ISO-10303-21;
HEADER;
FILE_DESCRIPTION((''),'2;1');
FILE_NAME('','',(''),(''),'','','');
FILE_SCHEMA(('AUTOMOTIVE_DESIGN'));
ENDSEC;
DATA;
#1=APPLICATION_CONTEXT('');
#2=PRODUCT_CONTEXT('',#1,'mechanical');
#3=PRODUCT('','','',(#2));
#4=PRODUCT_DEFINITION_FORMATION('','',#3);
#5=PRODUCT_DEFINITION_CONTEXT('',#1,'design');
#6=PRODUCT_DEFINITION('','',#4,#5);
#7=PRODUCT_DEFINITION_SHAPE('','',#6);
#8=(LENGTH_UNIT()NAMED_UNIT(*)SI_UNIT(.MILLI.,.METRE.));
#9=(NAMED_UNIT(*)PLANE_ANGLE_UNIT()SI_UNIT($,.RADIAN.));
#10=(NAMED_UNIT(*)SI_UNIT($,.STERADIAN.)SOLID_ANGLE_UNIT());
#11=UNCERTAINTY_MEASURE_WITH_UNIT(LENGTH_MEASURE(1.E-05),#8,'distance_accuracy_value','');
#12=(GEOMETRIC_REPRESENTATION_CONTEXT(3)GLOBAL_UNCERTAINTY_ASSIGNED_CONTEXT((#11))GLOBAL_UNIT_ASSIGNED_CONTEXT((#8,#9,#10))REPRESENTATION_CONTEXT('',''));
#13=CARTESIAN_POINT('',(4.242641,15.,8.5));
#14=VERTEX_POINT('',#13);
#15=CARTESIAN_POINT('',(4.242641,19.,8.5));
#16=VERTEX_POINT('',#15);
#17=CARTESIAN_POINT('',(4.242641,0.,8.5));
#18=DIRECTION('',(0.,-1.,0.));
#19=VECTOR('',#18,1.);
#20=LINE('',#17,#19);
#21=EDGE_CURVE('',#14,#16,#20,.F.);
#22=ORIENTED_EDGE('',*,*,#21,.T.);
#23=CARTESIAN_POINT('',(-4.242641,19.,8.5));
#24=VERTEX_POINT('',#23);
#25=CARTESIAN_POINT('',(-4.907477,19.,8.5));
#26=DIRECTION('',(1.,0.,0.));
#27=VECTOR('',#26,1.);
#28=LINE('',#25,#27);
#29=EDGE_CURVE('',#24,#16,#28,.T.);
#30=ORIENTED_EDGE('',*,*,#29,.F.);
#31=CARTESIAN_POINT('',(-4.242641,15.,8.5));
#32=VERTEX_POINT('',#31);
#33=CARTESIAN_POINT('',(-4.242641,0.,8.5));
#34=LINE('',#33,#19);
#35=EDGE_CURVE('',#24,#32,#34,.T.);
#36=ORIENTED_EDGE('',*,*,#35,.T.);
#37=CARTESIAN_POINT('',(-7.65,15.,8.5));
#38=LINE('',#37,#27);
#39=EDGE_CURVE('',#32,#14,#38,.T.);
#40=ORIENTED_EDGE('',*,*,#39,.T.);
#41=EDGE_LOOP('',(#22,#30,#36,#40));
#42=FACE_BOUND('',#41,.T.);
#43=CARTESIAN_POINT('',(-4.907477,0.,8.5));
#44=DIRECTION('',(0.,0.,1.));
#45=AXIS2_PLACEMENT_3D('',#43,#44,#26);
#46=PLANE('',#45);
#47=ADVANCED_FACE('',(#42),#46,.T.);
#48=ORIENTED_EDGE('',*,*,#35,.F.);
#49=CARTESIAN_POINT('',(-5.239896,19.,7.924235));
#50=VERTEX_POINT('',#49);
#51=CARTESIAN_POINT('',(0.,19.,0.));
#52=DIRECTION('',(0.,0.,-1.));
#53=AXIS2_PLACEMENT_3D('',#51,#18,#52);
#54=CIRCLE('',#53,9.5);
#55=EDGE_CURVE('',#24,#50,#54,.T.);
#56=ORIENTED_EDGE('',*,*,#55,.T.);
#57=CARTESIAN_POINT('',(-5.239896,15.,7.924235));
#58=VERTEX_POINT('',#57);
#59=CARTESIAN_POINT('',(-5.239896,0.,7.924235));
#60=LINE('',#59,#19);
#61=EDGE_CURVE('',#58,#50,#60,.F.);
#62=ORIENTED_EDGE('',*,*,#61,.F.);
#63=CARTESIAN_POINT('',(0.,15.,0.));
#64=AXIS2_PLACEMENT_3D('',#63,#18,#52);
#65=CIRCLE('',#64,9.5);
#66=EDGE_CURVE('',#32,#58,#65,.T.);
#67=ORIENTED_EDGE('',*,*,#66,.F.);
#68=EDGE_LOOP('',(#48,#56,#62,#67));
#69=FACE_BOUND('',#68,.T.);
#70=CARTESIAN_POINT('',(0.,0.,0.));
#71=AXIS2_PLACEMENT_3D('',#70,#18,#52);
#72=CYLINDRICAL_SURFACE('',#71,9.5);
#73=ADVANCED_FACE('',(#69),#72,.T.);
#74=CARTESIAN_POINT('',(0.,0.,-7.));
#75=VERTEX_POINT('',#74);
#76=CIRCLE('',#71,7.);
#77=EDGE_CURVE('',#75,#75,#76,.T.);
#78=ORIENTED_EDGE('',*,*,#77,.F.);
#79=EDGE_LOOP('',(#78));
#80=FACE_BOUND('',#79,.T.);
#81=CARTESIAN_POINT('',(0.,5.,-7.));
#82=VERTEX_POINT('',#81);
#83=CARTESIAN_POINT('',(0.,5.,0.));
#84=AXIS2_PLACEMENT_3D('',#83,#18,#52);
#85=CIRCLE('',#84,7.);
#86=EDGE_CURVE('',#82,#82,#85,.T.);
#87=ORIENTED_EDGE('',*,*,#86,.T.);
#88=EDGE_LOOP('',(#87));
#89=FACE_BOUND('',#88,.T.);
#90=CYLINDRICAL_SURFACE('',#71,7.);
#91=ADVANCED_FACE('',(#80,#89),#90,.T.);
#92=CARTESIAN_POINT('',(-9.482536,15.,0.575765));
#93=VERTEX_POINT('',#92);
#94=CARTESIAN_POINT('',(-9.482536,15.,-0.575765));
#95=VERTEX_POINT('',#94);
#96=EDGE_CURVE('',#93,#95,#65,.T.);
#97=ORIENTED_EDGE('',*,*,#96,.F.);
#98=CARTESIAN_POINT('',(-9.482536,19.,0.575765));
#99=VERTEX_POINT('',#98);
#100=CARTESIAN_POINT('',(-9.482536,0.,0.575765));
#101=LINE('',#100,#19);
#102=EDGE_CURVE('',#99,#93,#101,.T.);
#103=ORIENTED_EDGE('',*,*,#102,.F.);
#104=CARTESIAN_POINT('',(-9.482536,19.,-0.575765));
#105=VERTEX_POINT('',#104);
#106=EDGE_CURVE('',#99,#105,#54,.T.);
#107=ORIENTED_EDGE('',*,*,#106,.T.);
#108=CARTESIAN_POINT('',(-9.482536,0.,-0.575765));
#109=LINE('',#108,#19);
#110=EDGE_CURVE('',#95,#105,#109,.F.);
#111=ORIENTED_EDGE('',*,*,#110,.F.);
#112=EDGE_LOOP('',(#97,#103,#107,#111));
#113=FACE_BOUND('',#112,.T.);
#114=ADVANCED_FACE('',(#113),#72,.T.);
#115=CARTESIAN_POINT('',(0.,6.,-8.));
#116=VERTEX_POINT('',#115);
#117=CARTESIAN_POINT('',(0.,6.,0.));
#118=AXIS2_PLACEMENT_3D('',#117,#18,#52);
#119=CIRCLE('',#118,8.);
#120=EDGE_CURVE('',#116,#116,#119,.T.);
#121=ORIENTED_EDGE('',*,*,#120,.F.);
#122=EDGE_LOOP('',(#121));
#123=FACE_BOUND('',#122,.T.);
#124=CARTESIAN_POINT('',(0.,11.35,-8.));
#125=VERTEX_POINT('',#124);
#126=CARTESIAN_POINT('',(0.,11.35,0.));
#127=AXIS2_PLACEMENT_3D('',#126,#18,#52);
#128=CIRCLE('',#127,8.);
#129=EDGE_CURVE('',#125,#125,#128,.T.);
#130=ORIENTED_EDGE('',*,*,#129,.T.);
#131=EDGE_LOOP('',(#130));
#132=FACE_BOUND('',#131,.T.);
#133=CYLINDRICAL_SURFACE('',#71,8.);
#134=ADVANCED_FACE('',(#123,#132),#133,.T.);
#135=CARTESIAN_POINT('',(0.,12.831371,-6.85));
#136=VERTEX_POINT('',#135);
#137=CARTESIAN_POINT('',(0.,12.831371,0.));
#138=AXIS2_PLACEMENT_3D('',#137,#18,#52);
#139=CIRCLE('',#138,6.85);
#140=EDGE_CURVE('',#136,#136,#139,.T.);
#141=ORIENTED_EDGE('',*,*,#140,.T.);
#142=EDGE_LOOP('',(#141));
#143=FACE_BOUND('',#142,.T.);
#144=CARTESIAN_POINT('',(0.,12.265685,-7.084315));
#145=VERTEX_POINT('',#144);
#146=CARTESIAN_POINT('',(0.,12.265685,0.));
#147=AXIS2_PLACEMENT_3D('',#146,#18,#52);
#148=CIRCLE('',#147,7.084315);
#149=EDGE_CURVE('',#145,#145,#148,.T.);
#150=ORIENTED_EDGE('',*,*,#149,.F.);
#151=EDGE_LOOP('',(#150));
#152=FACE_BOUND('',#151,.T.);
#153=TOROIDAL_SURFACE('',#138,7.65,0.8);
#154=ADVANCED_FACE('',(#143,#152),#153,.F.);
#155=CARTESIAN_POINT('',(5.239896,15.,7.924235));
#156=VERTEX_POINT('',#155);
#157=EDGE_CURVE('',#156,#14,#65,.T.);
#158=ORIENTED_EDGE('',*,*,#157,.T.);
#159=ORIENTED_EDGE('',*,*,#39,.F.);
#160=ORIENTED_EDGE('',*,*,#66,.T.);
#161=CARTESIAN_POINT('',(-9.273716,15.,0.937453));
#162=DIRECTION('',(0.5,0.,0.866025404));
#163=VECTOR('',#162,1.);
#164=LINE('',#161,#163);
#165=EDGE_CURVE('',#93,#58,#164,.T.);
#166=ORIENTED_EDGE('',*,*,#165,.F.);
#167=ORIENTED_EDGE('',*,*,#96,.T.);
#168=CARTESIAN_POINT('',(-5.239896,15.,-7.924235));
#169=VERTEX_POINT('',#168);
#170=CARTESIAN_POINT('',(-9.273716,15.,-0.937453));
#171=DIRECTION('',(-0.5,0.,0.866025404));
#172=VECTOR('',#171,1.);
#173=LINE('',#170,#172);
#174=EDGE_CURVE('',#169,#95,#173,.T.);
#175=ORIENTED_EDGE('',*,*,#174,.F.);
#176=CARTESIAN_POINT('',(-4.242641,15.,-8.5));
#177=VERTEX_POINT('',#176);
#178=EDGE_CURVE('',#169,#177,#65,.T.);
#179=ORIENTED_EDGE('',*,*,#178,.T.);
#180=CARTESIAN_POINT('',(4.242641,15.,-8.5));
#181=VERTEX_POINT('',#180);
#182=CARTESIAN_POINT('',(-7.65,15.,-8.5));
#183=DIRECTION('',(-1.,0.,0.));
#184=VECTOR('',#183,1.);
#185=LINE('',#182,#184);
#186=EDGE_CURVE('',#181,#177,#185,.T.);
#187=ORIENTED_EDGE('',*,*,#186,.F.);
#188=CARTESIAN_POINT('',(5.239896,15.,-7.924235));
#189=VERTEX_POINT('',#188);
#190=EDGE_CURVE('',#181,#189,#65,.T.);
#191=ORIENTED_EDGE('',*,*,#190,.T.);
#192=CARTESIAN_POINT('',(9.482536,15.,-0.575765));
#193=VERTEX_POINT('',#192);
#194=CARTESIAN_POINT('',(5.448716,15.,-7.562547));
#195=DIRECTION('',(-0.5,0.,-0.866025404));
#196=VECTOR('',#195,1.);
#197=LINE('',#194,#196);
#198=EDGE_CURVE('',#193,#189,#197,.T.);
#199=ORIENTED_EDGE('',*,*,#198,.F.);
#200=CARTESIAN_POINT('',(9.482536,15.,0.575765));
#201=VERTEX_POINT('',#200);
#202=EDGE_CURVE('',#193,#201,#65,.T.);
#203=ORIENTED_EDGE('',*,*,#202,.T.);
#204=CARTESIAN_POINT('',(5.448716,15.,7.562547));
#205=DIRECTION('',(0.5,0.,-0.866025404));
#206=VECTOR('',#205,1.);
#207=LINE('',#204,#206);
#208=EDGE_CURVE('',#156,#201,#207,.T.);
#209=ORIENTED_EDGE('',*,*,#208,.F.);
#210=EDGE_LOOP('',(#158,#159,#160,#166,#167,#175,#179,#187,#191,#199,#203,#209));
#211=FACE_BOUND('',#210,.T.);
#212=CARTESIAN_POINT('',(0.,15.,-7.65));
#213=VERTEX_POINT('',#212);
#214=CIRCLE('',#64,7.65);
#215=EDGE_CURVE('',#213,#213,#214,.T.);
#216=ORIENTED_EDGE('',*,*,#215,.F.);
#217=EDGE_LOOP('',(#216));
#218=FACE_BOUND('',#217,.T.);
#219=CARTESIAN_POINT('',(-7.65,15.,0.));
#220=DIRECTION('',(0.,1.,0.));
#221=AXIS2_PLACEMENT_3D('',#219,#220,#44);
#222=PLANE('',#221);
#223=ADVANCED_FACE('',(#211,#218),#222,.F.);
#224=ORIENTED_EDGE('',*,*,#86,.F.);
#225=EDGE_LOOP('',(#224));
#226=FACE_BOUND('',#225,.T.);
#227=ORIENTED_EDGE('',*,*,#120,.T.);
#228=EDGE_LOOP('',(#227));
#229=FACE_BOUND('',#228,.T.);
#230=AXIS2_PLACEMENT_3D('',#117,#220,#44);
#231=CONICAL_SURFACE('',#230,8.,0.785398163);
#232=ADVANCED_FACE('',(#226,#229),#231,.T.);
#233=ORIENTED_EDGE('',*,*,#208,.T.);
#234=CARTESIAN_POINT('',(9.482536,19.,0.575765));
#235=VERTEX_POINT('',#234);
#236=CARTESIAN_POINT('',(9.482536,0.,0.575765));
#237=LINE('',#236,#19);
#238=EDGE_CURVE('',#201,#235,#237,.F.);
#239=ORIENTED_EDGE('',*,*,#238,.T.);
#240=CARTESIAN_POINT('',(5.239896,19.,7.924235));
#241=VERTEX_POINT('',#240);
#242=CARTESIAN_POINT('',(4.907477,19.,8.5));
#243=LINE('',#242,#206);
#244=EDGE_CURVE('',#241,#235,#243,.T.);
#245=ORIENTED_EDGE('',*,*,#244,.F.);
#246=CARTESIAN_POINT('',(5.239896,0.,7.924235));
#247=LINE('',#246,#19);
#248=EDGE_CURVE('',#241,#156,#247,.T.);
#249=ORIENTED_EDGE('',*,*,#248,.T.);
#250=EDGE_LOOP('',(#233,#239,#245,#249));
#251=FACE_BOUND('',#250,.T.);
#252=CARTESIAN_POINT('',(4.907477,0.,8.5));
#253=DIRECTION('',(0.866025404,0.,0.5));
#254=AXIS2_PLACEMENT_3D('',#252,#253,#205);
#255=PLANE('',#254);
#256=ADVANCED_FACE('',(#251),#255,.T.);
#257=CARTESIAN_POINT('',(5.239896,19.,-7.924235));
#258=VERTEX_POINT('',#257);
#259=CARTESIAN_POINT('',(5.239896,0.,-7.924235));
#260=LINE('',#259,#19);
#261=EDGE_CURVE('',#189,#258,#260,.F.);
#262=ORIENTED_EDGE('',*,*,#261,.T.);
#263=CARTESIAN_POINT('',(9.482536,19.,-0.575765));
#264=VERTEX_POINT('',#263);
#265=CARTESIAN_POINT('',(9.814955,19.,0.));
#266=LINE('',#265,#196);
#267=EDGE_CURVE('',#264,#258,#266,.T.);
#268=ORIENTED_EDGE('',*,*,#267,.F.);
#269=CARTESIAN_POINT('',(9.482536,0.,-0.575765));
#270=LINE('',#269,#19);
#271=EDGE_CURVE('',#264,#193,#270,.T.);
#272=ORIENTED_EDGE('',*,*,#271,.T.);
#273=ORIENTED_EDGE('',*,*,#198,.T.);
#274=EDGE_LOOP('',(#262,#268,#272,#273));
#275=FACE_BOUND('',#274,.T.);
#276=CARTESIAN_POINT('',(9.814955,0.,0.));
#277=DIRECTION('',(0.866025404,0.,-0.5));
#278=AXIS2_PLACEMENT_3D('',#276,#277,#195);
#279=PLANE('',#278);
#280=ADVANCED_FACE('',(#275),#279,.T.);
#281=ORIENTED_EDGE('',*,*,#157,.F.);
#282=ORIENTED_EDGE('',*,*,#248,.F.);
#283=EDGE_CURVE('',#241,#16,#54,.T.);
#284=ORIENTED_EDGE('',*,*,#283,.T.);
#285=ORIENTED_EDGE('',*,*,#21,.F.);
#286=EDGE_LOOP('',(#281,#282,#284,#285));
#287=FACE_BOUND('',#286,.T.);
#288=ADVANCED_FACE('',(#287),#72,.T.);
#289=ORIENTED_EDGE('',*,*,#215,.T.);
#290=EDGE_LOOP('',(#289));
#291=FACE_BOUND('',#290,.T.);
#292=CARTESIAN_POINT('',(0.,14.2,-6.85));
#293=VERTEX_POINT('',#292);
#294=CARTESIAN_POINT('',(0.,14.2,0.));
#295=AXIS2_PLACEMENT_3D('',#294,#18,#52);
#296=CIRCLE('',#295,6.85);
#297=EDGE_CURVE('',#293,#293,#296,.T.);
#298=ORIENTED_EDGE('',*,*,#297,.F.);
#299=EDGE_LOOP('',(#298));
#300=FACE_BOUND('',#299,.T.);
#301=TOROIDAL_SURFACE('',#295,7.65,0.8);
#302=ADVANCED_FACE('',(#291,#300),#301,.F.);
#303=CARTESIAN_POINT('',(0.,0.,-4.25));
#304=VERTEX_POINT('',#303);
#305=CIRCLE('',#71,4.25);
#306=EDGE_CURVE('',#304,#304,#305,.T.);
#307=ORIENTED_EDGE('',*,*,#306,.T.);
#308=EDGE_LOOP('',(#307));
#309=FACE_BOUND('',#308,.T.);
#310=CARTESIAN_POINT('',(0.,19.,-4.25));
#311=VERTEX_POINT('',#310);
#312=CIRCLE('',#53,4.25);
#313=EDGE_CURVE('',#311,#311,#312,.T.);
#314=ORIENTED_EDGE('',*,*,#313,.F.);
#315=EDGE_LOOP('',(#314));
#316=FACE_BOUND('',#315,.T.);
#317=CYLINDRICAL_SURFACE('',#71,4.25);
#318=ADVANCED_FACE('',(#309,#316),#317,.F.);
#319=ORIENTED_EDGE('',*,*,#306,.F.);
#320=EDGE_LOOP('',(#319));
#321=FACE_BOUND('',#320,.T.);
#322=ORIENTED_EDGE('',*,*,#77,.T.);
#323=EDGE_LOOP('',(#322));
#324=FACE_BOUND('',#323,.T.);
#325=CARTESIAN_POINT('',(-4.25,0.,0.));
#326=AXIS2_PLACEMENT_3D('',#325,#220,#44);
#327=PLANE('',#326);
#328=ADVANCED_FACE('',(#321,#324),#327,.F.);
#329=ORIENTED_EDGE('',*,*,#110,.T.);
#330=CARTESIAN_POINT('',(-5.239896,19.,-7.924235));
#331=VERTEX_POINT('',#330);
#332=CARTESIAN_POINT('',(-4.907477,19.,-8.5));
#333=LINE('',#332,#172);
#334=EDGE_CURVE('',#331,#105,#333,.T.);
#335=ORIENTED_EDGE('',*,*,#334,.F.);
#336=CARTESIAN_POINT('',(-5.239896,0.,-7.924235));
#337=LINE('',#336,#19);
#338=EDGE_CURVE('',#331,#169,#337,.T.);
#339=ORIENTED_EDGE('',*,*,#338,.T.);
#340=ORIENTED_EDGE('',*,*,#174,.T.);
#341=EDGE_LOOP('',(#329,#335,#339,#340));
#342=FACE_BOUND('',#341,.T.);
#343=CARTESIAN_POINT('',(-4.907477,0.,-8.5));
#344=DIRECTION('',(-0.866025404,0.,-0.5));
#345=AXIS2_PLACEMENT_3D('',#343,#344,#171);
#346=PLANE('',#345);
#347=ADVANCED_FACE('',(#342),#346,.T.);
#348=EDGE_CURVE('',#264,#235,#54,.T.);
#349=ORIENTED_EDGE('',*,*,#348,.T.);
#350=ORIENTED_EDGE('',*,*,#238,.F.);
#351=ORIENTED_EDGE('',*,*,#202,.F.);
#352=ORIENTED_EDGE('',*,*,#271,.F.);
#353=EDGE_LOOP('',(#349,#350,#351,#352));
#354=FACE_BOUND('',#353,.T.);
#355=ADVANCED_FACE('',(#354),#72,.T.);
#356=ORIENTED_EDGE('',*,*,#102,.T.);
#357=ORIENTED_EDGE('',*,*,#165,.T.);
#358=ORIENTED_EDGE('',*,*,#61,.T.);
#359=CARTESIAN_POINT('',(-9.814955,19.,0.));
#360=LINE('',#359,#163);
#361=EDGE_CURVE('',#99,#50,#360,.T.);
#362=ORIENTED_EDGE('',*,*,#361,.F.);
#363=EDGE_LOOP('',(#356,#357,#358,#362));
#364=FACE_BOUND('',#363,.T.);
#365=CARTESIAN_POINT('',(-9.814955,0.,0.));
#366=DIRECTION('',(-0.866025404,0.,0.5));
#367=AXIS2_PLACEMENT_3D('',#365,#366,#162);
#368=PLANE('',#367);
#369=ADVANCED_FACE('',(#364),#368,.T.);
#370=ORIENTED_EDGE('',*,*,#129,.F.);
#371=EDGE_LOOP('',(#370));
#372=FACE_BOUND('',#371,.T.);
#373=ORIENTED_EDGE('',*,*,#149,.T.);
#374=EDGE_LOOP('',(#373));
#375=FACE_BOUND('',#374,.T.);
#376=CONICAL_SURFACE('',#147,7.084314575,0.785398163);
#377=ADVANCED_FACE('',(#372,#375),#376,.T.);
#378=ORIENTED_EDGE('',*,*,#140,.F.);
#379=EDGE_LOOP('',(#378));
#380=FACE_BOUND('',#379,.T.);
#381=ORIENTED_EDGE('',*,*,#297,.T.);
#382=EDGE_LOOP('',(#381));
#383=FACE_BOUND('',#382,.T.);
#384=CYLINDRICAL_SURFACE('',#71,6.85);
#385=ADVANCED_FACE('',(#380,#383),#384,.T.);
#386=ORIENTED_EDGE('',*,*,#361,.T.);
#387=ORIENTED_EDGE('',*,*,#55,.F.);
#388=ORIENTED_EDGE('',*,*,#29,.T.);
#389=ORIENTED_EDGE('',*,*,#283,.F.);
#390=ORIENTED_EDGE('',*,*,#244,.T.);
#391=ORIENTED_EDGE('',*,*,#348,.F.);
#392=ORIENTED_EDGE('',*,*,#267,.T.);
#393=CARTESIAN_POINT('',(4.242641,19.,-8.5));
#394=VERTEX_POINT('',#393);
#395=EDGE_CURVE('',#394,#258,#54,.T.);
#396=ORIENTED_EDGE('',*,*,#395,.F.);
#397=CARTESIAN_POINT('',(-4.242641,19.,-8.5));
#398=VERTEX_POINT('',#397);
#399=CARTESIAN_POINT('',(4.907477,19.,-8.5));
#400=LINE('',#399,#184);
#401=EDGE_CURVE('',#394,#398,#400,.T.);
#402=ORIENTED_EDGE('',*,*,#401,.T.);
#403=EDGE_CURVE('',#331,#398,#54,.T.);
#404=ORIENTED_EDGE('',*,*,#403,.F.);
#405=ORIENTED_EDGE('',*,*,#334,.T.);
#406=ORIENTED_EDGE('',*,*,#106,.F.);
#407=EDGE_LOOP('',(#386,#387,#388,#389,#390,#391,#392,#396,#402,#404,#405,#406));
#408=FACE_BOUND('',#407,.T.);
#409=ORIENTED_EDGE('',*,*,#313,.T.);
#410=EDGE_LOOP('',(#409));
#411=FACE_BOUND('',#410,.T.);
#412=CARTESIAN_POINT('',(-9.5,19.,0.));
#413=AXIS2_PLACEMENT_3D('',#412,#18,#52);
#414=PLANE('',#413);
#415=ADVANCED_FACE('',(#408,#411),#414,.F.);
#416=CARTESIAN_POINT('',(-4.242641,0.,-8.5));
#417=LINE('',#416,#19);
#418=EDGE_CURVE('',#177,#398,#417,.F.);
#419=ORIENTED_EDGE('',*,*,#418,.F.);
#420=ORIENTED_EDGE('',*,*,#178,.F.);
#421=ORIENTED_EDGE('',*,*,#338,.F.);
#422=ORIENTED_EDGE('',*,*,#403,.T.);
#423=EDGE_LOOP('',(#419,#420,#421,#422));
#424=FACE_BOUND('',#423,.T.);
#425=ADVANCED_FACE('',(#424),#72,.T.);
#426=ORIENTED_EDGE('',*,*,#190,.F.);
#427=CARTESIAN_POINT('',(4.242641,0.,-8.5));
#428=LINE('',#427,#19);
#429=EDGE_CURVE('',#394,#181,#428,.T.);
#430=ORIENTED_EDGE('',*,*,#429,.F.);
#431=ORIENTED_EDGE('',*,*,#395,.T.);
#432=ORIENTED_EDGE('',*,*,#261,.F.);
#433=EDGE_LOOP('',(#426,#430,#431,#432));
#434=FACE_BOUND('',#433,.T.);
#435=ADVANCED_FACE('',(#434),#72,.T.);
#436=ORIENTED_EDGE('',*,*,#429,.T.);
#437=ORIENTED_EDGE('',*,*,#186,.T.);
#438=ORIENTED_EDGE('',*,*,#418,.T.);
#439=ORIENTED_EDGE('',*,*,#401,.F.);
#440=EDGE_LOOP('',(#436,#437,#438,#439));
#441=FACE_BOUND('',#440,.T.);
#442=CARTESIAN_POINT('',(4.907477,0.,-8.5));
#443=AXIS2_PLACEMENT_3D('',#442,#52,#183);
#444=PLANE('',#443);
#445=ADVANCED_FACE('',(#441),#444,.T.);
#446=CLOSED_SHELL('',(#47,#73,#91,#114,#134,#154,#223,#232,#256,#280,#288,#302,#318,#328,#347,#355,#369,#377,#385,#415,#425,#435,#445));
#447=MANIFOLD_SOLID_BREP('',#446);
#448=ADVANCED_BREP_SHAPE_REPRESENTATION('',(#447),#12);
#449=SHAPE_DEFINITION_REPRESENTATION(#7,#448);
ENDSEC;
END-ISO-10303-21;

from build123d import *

# Parameters (mm, degrees)
SKETCH_2_OUTSIDE_W  = 27.582
SKETCH_2_OUTSIDE_H  = 27.582
CUT_EXTRUDE_1_DEPTH = 24.270152556


with BuildPart() as part:
    # Эскиз1 → Повернуть1 (revolve)
    with BuildSketch(Plane.XY, mode=Mode.PRIVATE) as revolve_1_sk:
        with BuildLine():
            Line((-4.25, 0), (-7, 0))
            Line((-7, 0), (-7, 5))
            Line((-7, 5), (-8, 6))
            Line((-8, 6), (-8, 11.35))
            Line((-8, 11.35), (-7.084314575, 12.265685425))
            ThreePointArc((-7.084314575, 12.265685425), (-6.910896374, 12.525224104), (-6.85, 12.83137085))
            Line((-6.85, 12.83137085), (-6.85, 14.2))
            ThreePointArc((-6.85, 14.2), (-7.084314575, 14.765685425), (-7.65, 15))
            Line((-7.65, 15), (-9.5, 15))
            Line((-9.5, 15), (-9.5, 19))
            Line((-9.5, 19), (-4.25, 19))
            Line((-4.25, 19), (-4.25, 0))
        make_face()
    revolve(revolve_1_sk.sketch.rotate(Axis((0, 0, 0), (0, 1, 0)), 270), axis=Axis((0, 0, 0), (0, 1, 0)))

    # Эскиз2 outside → Вырез-Вытянуть1 (cut, through all)
    with BuildSketch(Plane(origin=(0, 19, 0), x_dir=(1, 0, 0), z_dir=(0, 1, 0))):
        Rectangle(SKETCH_2_OUTSIDE_W, SKETCH_2_OUTSIDE_H)
        Polygon((9.814954576, 0), (4.907477288, 8.5), (-4.907477288, 8.5), (-9.814954576, 0), (-4.907477288, -8.5), (4.907477288, -8.5), align=None, mode=Mode.SUBTRACT)
    extrude(amount=-CUT_EXTRUDE_1_DEPTH, mode=Mode.SUBTRACT)


solid = part.part
